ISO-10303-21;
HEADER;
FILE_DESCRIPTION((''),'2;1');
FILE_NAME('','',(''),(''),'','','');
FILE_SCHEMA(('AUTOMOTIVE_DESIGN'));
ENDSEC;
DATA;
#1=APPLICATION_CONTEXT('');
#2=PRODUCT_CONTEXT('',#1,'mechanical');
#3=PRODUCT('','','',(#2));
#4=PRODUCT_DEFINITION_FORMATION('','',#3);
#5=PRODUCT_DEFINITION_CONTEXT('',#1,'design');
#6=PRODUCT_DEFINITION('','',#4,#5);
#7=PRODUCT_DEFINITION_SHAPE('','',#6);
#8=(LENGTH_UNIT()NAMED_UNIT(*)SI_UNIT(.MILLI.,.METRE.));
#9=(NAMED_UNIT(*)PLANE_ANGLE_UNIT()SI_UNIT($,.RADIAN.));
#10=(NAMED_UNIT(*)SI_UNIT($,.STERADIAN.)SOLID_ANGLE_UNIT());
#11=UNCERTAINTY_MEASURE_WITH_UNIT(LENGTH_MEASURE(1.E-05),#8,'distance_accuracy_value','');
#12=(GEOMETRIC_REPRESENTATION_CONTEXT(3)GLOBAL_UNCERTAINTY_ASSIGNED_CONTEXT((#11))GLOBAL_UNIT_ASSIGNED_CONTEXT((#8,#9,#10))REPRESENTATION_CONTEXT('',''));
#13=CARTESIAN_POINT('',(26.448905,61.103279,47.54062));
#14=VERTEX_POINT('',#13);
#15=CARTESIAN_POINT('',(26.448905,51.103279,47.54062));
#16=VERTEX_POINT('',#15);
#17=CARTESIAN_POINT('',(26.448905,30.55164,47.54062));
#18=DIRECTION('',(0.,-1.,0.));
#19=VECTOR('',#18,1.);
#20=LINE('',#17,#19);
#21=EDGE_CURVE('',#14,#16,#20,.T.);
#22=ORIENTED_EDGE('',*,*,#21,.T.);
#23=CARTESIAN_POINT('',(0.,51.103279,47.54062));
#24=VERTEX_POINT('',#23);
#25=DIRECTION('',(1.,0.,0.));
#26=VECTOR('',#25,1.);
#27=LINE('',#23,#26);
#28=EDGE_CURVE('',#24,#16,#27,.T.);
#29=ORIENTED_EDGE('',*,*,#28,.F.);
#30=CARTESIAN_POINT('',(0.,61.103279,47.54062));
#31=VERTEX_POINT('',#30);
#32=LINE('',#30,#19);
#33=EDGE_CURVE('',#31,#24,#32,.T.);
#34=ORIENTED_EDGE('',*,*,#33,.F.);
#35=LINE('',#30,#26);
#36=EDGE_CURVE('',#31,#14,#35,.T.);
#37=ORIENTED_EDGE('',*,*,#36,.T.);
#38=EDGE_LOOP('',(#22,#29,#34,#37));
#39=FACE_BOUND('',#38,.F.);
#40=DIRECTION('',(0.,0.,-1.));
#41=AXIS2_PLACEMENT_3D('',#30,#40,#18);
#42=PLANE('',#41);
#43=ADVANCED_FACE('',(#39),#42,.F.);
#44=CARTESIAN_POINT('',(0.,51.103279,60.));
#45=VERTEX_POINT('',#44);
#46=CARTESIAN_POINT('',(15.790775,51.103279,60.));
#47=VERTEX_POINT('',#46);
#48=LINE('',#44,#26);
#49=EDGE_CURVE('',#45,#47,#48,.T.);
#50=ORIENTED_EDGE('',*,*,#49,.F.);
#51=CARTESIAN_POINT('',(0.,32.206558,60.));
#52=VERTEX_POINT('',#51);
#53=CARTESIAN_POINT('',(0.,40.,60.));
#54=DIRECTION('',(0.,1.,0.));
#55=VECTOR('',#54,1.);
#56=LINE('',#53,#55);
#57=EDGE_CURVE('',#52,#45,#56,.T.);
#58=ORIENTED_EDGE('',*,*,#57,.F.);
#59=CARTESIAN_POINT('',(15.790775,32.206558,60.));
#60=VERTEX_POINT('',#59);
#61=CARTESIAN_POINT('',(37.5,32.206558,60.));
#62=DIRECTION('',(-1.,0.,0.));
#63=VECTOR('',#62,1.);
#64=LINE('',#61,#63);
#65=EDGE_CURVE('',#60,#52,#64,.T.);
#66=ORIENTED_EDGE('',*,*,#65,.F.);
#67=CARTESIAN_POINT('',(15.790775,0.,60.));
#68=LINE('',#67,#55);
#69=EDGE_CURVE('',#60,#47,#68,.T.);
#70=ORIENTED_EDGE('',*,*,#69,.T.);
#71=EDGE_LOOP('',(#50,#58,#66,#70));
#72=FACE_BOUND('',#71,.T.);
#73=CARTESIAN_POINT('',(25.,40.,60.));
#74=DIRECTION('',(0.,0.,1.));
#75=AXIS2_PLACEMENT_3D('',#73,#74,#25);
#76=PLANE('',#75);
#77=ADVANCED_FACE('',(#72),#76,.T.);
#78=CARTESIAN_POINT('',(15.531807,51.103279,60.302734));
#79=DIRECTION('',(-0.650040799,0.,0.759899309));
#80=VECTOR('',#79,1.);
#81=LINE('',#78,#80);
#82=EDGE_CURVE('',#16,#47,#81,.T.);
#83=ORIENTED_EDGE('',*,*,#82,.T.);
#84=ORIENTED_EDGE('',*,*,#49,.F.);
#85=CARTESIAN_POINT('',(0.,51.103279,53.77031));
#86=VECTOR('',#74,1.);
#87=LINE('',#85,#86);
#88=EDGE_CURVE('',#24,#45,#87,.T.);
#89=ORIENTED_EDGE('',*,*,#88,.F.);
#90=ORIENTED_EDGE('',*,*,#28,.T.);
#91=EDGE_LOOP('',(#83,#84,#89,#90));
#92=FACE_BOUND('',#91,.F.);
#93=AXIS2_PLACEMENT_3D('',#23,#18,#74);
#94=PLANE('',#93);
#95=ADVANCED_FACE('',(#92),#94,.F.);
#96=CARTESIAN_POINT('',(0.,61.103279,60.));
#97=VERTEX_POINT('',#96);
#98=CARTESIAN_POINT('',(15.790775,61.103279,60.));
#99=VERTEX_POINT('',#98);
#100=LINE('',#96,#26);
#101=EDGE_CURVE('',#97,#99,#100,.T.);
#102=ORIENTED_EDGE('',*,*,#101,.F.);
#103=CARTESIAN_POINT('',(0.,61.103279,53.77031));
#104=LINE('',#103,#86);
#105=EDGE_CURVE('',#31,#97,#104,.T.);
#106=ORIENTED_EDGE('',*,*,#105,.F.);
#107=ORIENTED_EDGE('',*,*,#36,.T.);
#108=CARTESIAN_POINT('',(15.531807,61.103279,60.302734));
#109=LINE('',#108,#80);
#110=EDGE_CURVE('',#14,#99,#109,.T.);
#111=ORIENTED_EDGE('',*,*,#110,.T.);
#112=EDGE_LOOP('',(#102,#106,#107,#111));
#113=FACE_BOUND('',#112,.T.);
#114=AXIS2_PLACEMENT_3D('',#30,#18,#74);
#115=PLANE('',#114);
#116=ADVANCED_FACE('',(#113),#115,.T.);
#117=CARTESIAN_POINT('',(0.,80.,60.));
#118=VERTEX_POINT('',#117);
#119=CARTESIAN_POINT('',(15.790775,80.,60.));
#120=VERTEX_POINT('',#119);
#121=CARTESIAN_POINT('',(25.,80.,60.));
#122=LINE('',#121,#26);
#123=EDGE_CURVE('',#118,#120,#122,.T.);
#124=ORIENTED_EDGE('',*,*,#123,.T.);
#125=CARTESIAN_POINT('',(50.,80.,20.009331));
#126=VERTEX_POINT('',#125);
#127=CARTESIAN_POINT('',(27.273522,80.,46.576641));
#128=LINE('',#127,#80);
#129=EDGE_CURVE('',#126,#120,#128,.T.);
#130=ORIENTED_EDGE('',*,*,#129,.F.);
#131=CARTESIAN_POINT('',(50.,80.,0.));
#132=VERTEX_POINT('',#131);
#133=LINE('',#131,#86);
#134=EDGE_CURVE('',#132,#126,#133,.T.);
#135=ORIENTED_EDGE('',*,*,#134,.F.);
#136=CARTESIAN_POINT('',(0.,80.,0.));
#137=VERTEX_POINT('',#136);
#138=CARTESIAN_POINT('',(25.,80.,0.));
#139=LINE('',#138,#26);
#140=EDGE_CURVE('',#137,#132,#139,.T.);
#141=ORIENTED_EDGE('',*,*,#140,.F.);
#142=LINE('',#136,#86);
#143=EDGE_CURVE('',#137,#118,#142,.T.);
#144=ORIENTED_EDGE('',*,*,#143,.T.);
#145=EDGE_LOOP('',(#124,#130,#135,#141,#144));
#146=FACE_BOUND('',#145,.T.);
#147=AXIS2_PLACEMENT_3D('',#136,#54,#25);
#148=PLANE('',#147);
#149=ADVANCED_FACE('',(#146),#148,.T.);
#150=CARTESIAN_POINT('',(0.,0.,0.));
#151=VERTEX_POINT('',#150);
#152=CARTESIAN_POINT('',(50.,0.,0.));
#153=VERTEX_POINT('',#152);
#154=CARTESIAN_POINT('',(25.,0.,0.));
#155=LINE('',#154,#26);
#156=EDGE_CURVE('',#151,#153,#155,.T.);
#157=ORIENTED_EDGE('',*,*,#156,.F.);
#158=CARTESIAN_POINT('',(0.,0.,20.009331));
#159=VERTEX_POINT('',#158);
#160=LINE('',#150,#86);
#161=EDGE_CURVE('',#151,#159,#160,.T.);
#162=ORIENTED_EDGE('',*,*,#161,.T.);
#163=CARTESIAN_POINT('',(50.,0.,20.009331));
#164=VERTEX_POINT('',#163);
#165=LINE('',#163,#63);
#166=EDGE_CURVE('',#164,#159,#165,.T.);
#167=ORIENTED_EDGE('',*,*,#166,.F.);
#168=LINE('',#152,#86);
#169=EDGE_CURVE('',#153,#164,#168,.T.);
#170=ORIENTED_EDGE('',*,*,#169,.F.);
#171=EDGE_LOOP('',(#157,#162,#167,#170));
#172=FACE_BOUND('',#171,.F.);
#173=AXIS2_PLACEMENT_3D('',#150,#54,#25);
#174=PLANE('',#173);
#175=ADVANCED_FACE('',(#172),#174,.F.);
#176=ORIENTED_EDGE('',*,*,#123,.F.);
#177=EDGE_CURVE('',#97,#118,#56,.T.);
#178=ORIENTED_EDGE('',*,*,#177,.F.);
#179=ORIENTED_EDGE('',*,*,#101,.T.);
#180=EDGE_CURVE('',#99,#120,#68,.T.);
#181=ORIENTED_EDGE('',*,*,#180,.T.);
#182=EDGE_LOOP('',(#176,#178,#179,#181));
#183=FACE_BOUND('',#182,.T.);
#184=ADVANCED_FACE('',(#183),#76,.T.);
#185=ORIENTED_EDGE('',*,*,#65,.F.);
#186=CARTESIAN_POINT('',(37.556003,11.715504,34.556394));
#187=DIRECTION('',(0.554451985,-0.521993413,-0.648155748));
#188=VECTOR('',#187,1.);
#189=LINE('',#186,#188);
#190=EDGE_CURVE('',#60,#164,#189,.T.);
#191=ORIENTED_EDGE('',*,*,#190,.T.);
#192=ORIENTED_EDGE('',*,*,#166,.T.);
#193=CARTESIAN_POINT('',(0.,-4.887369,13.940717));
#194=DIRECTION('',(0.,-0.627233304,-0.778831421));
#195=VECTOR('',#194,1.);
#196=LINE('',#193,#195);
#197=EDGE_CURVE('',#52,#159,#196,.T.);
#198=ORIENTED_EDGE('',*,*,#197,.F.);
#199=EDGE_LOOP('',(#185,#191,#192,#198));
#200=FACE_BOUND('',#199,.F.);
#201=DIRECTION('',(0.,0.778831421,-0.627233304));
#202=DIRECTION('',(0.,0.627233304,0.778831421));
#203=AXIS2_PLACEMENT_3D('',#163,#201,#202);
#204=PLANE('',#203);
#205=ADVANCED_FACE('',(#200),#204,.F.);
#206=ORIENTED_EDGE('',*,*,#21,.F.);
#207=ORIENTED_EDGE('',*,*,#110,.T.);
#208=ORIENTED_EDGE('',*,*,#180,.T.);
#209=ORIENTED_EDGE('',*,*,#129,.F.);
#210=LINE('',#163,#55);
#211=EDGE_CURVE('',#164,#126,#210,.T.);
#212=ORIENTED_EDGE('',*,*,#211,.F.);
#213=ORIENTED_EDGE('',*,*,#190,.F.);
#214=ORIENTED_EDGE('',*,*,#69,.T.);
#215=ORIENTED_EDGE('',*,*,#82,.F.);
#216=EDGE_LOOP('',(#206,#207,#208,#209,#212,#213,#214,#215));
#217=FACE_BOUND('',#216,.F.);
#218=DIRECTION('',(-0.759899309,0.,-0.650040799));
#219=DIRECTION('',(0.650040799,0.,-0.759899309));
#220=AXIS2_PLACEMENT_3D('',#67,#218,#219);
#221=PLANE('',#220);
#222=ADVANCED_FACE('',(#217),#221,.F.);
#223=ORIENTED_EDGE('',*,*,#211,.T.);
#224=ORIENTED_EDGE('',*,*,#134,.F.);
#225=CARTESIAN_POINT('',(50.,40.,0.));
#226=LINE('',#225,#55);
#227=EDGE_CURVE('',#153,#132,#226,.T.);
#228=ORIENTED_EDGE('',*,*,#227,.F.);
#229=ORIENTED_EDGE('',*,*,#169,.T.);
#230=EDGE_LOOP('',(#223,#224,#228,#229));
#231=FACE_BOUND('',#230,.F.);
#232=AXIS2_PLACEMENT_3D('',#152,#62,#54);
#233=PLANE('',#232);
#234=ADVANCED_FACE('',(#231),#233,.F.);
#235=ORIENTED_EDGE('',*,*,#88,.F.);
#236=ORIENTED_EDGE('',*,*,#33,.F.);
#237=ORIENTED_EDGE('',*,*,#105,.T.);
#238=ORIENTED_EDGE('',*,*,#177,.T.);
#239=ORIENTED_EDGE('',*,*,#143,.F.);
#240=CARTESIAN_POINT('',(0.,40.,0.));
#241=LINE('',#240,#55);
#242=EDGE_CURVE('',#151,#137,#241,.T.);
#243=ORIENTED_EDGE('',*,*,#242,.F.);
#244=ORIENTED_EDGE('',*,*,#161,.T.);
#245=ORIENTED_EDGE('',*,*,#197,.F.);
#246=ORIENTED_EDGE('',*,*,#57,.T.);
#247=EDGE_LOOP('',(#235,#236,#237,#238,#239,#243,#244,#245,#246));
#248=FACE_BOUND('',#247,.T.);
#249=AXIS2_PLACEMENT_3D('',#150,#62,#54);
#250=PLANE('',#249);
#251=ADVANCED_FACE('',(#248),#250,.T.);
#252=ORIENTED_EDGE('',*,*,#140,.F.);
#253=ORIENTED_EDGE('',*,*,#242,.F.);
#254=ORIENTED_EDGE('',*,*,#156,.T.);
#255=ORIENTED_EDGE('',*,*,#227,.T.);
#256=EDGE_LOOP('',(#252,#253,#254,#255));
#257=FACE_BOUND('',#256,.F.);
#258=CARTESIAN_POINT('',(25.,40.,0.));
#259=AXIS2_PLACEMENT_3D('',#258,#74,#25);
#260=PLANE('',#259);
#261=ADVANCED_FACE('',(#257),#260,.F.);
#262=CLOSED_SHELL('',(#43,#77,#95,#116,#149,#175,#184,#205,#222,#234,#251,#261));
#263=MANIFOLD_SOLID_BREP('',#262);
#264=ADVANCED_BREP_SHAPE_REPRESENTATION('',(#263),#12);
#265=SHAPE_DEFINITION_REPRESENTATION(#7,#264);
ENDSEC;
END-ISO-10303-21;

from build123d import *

# Parameters (mm, degrees)
F0_W     = 50
F0_H     = 80
F1_DEPTH = 60
F3_DEPTH = 80.001
F6_DEPTH = 66.156149
F7_W     = 5
F7_H     = 12.45938
F8_DEPTH = 43.57978


with BuildPart() as f1:
    # F0 (on Top) → F1 (new body)
    with BuildSketch(Plane.XY):
        with Locations((25, 40)):
            Rectangle(F0_W, F0_H)
    extrude(amount=F1_DEPTH)

    # F2 (on face) → F3 (cut, through all)
    with BuildSketch(Plane.XZ):
        Polygon((50, 20.009331), (50, 60), (15.790775, 60), align=None)
    extrude(amount=-F3_DEPTH, mode=Mode.SUBTRACT)

    # F5 (on offset) → F6 (cut)
    with BuildSketch(Plane.YZ.offset(50)):
        Polygon((0, 65.009331), (0, 20.009331), (36.240832, 65.009331), align=None)
    extrude(amount=-F6_DEPTH, mode=Mode.SUBTRACT)

    # F7 (on face) → F8 (cut)
    with BuildSketch(Plane(origin=(0, 0, 0), x_dir=(0, -1, 0), z_dir=(-1, 0, 0))):
        with Locations((-53.603279, 53.77031)):
            Rectangle(F7_W, F7_H)
        with Locations((-58.603279, 53.77031)):
            Rectangle(F7_W, F7_H)
    extrude(amount=-F8_DEPTH, mode=Mode.SUBTRACT)


solid = f1.part
